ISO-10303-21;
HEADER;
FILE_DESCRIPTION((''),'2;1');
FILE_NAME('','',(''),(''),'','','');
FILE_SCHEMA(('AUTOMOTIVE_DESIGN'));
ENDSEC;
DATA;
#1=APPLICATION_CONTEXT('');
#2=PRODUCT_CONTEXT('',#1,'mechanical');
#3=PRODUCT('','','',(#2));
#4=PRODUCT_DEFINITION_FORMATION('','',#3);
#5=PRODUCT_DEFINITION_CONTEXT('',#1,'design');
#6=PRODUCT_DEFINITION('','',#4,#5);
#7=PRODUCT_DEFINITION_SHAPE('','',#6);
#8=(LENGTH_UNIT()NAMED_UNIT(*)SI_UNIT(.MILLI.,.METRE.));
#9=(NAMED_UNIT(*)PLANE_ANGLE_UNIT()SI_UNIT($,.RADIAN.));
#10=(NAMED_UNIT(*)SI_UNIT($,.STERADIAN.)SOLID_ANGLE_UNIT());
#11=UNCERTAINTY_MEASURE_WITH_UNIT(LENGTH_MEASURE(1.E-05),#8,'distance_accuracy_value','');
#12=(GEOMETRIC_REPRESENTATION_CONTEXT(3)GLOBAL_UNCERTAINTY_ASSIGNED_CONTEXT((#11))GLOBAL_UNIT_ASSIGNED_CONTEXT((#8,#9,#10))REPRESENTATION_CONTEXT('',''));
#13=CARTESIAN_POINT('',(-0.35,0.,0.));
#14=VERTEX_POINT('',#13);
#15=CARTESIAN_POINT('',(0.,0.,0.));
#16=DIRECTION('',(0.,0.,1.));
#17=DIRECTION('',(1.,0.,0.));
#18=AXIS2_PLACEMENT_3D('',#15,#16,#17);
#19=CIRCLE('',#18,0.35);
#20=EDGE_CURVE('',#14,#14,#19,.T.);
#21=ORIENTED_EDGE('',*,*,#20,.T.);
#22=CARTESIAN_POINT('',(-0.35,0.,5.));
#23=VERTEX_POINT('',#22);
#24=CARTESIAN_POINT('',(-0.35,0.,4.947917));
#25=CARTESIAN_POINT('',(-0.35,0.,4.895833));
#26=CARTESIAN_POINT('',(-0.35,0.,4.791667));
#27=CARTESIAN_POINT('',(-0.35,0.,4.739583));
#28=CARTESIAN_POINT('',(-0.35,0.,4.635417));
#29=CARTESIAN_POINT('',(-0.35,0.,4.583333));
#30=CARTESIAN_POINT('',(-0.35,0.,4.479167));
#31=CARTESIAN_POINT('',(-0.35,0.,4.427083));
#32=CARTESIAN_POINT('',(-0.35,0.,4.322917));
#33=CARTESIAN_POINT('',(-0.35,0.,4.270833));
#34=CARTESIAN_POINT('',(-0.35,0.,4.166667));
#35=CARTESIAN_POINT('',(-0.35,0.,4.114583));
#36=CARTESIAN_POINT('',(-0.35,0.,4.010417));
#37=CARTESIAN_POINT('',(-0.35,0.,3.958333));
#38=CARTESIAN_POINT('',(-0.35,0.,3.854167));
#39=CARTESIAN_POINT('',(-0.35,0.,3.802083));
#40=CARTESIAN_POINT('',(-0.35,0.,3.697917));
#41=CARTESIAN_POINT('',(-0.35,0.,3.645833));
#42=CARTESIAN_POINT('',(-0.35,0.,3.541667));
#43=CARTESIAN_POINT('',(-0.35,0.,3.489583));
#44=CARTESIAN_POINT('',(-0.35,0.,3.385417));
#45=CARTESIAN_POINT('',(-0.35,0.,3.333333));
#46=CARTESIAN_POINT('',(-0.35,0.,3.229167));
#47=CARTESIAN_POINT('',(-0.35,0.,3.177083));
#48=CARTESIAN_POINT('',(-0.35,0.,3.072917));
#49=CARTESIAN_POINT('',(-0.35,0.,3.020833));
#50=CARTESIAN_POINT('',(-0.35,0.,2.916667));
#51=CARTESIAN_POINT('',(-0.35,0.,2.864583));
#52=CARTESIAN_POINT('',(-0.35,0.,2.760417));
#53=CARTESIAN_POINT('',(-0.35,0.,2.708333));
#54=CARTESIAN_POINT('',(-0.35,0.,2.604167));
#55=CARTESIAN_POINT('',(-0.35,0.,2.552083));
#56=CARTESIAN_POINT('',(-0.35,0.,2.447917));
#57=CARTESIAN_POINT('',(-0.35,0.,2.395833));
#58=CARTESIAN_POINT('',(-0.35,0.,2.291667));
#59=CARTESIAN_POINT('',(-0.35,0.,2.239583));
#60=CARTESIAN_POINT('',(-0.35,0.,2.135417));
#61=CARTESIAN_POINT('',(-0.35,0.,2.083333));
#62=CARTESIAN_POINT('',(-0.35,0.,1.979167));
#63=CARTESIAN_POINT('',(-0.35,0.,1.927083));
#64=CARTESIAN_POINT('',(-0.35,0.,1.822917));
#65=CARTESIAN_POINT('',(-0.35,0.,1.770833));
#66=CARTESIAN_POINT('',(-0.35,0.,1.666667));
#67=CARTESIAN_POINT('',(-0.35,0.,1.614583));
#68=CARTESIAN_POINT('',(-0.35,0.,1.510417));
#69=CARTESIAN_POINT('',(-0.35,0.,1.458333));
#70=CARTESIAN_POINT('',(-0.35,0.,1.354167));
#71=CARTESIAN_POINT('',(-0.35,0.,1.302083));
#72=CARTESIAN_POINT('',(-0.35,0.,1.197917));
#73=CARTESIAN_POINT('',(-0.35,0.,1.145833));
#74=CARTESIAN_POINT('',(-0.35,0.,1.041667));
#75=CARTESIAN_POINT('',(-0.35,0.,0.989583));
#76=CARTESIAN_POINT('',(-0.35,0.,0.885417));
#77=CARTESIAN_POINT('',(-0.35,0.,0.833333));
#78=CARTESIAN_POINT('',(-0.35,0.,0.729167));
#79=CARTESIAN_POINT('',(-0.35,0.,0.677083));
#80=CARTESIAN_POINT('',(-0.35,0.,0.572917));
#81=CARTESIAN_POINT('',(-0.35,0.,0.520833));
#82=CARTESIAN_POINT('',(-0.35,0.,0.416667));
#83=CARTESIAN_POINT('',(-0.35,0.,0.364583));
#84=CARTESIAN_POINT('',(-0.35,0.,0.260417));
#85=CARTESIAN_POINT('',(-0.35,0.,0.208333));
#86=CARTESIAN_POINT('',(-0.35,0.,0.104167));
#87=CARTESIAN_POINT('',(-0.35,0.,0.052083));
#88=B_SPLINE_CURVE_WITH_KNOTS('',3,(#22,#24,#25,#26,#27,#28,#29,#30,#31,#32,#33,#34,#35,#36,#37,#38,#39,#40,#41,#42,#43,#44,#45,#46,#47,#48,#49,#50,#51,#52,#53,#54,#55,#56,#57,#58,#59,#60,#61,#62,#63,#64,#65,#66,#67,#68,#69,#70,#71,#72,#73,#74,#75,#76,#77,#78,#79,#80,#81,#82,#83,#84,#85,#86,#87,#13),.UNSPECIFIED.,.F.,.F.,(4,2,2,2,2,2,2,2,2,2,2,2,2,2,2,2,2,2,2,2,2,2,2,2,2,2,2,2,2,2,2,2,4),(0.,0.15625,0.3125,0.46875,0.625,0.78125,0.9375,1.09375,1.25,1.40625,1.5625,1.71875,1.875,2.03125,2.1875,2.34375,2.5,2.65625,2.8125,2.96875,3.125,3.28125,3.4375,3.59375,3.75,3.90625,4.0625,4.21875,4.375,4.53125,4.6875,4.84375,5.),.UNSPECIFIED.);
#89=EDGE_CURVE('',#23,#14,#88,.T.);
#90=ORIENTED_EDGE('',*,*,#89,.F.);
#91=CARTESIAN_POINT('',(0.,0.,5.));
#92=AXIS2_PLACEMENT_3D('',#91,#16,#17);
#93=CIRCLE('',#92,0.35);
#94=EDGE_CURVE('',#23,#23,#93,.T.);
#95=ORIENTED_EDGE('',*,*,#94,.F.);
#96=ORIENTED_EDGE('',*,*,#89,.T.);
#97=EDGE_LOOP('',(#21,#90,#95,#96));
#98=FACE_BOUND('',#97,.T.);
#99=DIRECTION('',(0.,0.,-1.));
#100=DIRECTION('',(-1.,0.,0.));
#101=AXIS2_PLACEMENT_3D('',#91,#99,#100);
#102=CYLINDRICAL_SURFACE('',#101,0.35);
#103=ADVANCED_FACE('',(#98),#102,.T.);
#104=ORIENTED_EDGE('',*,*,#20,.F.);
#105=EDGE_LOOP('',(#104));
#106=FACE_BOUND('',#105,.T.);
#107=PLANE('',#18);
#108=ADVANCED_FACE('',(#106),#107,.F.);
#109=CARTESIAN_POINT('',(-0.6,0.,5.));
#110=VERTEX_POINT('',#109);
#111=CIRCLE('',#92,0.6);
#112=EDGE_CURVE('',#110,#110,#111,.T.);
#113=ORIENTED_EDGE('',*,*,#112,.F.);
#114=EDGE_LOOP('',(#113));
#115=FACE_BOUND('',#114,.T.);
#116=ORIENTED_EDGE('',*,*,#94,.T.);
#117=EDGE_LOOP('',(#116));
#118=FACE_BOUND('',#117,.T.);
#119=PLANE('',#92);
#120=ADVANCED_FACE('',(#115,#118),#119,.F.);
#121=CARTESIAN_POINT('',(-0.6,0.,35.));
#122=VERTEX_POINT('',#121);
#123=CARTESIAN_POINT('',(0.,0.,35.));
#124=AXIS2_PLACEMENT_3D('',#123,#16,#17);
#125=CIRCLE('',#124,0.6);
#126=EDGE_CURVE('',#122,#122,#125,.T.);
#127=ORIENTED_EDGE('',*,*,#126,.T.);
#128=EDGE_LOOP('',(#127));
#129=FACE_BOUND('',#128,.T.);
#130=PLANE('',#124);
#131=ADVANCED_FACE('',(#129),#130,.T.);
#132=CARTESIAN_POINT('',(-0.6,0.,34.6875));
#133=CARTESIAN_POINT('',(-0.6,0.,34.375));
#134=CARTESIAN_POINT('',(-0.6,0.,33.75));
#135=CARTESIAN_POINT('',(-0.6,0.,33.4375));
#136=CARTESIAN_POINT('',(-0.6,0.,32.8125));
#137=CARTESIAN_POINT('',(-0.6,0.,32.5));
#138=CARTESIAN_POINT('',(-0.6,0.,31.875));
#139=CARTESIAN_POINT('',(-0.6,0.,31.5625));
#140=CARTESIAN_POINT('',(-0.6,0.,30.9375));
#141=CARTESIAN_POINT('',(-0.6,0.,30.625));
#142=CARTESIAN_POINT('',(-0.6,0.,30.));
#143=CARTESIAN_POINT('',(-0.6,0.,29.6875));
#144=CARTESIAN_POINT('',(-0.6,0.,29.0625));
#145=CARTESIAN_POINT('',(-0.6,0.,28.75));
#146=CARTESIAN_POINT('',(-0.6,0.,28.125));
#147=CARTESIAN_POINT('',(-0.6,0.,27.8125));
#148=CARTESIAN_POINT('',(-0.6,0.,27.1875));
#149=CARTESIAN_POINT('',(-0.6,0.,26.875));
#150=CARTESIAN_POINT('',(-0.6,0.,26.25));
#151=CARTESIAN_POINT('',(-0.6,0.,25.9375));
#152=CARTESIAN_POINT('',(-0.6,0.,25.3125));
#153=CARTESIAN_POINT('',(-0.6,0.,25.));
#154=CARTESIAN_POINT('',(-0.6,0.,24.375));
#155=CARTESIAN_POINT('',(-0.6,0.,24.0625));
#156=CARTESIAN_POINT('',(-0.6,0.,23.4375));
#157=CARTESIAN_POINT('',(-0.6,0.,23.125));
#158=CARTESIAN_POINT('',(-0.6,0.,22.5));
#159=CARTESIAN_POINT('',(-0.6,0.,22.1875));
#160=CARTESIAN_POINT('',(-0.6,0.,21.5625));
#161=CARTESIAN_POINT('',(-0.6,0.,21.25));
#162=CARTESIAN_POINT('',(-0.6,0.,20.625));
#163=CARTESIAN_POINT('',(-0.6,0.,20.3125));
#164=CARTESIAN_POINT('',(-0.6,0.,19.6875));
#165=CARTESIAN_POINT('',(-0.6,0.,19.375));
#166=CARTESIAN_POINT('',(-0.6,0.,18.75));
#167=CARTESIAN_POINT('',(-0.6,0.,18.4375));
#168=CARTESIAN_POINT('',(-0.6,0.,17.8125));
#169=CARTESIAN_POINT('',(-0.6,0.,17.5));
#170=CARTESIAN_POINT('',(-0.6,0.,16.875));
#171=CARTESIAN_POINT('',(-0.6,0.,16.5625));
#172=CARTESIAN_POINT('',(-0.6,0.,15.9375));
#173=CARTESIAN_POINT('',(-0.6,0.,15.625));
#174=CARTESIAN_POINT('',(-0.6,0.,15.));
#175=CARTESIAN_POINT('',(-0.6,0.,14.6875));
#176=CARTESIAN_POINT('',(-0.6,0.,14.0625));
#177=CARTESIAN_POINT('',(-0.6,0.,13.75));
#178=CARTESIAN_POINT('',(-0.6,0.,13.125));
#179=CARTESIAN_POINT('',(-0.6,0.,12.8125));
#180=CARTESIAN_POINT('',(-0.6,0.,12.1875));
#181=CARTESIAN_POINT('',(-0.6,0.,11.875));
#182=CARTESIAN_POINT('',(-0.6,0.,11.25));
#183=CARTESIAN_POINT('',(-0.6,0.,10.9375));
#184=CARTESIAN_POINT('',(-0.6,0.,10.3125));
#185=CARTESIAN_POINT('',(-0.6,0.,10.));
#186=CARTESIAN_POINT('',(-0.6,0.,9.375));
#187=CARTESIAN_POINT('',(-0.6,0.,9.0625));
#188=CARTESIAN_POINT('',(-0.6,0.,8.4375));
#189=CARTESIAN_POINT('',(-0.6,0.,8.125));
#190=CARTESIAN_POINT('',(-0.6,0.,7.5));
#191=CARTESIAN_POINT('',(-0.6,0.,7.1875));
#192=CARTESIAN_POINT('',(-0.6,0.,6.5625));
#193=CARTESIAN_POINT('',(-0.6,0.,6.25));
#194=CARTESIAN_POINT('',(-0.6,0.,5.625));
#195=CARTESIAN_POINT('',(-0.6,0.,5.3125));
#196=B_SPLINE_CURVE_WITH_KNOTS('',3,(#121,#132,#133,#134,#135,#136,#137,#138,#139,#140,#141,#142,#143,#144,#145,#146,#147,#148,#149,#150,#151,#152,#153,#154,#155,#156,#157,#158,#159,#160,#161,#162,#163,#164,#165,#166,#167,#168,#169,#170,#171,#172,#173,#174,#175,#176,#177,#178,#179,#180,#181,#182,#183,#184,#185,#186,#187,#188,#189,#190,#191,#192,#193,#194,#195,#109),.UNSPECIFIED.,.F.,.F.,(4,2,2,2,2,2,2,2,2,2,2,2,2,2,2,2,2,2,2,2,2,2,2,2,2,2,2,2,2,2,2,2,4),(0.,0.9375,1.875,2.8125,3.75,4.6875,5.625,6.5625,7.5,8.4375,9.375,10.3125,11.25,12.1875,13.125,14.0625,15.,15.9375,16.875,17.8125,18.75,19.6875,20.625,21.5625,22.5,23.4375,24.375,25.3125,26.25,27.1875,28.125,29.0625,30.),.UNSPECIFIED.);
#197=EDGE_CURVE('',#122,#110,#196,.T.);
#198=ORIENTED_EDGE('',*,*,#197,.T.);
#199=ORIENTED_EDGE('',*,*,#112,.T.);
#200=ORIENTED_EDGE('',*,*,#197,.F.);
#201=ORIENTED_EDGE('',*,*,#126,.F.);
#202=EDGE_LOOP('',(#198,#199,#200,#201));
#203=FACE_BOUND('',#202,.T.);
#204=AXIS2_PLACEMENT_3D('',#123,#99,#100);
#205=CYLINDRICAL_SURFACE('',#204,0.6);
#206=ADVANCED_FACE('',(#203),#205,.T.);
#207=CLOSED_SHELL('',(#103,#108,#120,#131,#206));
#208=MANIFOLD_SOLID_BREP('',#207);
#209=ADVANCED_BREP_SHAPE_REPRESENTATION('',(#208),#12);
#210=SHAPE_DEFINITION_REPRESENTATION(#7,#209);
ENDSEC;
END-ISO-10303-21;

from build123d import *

# Parameters (mm, degrees)
SKETCH_1_R      = 0.35
EXTRUDE_1_DEPTH = 5
SKETCH_2_R      = 0.6
EXTRUDE_2_DEPTH = 30


with BuildPart() as part:
    # Эскиз1 → Вытянуть1 (new body)
    with BuildSketch(Plane.XY):
        with Locations(Location((0, 0, 0), (0, 0, 180))):
            Circle(SKETCH_1_R)
    extrude(amount=EXTRUDE_1_DEPTH)

    # Эскиз2 → Вытянуть2 (add)
    with BuildSketch(Plane.XY.offset(5)):
        with Locations(Location((0, 0, 0), (0, 0, 180))):
            Circle(SKETCH_2_R)
    extrude(amount=EXTRUDE_2_DEPTH)


solid = part.part
